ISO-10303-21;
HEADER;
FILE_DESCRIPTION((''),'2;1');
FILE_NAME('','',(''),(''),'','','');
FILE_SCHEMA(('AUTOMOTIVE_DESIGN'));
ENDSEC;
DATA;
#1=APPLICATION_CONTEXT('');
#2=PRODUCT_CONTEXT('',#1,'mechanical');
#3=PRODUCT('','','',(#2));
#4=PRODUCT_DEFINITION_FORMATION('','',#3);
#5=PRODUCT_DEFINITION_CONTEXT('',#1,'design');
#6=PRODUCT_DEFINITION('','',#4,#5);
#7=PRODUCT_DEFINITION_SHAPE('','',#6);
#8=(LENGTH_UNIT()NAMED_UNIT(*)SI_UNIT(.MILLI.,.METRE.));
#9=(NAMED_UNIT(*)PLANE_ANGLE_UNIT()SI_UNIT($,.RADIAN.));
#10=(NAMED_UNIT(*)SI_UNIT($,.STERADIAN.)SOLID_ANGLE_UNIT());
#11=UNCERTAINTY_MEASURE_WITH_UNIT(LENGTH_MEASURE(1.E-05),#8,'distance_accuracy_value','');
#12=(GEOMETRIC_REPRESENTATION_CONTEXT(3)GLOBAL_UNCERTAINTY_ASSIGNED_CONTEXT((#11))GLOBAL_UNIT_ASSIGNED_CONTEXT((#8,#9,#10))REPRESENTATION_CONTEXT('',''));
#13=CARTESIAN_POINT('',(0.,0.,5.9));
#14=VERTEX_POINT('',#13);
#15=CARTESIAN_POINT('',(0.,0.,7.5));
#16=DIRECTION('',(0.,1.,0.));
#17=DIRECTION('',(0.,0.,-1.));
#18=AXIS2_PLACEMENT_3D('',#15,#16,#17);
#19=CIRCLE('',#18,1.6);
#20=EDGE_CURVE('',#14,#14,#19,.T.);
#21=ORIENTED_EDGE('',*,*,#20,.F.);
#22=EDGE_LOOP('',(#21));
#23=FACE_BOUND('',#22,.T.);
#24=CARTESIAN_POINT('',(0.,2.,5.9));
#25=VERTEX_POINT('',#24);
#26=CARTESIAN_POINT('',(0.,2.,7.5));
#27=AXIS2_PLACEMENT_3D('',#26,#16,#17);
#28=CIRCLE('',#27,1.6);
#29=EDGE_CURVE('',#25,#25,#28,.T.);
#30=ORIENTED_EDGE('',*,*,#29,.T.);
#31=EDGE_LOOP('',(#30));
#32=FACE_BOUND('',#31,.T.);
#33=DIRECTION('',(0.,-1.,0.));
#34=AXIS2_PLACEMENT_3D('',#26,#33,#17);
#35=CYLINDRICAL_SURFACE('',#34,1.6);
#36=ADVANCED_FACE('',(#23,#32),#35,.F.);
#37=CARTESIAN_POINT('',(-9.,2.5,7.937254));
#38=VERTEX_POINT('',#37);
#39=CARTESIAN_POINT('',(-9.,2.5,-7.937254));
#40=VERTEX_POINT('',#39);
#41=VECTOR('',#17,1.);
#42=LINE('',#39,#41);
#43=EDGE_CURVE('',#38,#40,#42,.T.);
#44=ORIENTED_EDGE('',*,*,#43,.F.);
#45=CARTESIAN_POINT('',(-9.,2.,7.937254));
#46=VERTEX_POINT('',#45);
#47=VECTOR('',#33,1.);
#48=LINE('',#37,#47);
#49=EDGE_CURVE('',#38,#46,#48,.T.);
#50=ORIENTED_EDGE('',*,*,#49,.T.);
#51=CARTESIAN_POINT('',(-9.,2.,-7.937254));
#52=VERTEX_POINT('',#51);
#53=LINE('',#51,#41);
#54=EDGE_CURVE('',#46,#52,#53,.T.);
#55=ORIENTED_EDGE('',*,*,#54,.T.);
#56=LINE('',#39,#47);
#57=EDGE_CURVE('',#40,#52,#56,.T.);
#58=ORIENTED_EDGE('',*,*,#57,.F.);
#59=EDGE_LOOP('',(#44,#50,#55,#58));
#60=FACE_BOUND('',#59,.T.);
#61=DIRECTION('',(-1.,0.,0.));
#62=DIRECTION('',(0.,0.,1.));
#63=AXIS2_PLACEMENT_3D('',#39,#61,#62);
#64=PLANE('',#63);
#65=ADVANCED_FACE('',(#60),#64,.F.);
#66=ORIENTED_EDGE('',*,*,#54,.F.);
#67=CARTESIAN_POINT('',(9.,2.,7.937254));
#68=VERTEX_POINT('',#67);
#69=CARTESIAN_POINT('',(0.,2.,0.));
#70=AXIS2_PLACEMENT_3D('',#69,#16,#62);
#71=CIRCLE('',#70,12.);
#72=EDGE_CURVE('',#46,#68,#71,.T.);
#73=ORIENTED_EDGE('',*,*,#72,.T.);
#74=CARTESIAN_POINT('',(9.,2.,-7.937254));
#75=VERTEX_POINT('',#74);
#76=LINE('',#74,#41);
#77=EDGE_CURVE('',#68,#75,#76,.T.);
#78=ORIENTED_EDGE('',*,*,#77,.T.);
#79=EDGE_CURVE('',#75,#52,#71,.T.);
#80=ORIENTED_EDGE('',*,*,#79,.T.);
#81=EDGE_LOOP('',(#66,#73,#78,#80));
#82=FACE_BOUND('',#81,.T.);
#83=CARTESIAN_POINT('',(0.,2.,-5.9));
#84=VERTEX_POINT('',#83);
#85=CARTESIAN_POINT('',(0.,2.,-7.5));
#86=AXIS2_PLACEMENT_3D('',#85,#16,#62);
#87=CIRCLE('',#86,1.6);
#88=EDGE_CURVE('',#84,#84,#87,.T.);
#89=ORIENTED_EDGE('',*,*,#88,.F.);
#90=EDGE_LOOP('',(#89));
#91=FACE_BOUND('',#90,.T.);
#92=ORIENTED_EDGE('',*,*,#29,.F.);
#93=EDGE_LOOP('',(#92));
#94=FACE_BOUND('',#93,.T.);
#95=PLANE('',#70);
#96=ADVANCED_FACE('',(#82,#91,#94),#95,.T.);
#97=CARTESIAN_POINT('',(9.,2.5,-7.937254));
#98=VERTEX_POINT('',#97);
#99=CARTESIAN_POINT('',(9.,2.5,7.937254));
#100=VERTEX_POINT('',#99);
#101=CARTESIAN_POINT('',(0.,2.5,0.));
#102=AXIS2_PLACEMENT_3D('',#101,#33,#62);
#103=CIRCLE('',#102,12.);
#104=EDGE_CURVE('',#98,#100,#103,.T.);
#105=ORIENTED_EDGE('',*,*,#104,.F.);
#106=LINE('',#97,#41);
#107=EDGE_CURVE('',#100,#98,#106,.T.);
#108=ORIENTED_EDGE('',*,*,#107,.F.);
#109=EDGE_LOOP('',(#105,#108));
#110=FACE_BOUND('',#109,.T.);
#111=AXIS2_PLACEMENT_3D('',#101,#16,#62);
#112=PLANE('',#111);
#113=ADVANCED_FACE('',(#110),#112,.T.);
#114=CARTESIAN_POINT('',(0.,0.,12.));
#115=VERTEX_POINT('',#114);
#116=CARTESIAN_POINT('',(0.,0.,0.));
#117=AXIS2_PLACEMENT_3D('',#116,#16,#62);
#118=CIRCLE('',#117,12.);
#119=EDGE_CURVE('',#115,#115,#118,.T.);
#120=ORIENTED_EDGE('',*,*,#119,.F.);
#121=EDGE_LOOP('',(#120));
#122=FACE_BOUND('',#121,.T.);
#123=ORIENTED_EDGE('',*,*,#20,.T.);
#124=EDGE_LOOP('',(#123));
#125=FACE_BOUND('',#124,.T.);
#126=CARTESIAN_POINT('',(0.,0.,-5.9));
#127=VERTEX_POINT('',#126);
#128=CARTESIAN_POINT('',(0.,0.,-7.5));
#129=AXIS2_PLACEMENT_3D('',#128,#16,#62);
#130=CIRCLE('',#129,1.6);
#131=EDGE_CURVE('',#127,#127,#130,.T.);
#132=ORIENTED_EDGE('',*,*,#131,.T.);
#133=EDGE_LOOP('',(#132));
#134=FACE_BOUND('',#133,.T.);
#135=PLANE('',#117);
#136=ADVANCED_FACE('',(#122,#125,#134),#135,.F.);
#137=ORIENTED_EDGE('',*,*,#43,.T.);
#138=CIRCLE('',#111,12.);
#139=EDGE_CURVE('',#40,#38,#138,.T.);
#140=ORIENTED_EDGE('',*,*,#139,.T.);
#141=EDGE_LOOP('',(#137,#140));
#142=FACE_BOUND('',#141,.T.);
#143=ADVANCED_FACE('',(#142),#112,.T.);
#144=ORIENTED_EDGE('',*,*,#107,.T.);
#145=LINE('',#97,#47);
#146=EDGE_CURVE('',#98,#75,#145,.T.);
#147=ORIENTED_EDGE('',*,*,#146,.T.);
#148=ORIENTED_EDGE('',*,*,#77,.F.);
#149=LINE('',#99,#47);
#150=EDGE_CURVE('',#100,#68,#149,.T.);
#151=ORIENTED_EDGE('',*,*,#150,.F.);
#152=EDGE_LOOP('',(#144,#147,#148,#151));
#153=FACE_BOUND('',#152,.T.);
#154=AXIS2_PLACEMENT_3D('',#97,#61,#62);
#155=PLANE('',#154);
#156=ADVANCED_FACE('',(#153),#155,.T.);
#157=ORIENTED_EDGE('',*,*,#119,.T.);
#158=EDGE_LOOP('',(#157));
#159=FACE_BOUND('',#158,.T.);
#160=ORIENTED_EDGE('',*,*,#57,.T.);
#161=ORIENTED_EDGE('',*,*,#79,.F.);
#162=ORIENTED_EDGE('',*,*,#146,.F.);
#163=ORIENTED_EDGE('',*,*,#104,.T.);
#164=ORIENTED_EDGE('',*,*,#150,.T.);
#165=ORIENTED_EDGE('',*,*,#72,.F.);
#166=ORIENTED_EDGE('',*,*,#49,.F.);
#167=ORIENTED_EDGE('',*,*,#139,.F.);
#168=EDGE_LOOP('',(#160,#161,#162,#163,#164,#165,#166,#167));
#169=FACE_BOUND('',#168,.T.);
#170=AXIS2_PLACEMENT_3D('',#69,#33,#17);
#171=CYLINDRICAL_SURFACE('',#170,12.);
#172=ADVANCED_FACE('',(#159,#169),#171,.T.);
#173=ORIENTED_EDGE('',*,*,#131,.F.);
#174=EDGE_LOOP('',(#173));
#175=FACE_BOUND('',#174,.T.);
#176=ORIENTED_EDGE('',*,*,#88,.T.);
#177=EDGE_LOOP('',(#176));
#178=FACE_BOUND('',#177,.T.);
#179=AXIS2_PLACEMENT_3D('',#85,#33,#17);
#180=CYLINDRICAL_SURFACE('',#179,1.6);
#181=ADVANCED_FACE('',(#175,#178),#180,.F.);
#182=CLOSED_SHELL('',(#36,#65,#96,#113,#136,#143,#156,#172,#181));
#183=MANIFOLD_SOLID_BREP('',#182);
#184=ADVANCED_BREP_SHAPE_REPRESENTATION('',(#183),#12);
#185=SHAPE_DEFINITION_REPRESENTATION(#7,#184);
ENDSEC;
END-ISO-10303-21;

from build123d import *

# Parameters (mm, degrees)
SKETCH_1_R      = 12
SKETCH_1_R_2    = 1.6
EXTRUDE_1_DEPTH = 2
EXTRUDE_2_DEPTH = 0.5


with BuildPart() as part:
    # 草图1 → 凸台-拉伸1 (new body)
    with BuildSketch(Plane(origin=(0, 0, 0), x_dir=(1, 0, 0), z_dir=(0, 1, 0))):
        with Locations(Location((0, 0, 0), (0, 0, 270))):
            Circle(SKETCH_1_R)
        with Locations(Location((0, 7.5, 0), (0, 0, 270))):
            Circle(SKETCH_1_R_2, mode=Mode.SUBTRACT)
        with Locations(Location((0, -7.5, 0), (0, 0, 90))):
            Circle(SKETCH_1_R_2, mode=Mode.SUBTRACT)
    extrude(amount=EXTRUDE_1_DEPTH)

    # 草图2 → 凸台-拉伸2 (add)
    with BuildSketch(Plane(origin=(0, 2, 0), x_dir=(1, 0, 0), z_dir=(0, 1, 0))):
        with BuildLine():
            Line((-9, 7.937253933), (-9, -7.937253933))
            ThreePointArc((-9, -7.937253933), (-12, 0), (-9, 7.937253933))
        make_face()
    extrude_2 = extrude(amount=EXTRUDE_2_DEPTH)

    # 镜向2: 凸台-拉伸2 across plane
    add(extrude_2.mirror(Plane(origin=(0, 0, 0), x_dir=(0, 0, 1), z_dir=(1, 0, 0))))


solid = part.part
